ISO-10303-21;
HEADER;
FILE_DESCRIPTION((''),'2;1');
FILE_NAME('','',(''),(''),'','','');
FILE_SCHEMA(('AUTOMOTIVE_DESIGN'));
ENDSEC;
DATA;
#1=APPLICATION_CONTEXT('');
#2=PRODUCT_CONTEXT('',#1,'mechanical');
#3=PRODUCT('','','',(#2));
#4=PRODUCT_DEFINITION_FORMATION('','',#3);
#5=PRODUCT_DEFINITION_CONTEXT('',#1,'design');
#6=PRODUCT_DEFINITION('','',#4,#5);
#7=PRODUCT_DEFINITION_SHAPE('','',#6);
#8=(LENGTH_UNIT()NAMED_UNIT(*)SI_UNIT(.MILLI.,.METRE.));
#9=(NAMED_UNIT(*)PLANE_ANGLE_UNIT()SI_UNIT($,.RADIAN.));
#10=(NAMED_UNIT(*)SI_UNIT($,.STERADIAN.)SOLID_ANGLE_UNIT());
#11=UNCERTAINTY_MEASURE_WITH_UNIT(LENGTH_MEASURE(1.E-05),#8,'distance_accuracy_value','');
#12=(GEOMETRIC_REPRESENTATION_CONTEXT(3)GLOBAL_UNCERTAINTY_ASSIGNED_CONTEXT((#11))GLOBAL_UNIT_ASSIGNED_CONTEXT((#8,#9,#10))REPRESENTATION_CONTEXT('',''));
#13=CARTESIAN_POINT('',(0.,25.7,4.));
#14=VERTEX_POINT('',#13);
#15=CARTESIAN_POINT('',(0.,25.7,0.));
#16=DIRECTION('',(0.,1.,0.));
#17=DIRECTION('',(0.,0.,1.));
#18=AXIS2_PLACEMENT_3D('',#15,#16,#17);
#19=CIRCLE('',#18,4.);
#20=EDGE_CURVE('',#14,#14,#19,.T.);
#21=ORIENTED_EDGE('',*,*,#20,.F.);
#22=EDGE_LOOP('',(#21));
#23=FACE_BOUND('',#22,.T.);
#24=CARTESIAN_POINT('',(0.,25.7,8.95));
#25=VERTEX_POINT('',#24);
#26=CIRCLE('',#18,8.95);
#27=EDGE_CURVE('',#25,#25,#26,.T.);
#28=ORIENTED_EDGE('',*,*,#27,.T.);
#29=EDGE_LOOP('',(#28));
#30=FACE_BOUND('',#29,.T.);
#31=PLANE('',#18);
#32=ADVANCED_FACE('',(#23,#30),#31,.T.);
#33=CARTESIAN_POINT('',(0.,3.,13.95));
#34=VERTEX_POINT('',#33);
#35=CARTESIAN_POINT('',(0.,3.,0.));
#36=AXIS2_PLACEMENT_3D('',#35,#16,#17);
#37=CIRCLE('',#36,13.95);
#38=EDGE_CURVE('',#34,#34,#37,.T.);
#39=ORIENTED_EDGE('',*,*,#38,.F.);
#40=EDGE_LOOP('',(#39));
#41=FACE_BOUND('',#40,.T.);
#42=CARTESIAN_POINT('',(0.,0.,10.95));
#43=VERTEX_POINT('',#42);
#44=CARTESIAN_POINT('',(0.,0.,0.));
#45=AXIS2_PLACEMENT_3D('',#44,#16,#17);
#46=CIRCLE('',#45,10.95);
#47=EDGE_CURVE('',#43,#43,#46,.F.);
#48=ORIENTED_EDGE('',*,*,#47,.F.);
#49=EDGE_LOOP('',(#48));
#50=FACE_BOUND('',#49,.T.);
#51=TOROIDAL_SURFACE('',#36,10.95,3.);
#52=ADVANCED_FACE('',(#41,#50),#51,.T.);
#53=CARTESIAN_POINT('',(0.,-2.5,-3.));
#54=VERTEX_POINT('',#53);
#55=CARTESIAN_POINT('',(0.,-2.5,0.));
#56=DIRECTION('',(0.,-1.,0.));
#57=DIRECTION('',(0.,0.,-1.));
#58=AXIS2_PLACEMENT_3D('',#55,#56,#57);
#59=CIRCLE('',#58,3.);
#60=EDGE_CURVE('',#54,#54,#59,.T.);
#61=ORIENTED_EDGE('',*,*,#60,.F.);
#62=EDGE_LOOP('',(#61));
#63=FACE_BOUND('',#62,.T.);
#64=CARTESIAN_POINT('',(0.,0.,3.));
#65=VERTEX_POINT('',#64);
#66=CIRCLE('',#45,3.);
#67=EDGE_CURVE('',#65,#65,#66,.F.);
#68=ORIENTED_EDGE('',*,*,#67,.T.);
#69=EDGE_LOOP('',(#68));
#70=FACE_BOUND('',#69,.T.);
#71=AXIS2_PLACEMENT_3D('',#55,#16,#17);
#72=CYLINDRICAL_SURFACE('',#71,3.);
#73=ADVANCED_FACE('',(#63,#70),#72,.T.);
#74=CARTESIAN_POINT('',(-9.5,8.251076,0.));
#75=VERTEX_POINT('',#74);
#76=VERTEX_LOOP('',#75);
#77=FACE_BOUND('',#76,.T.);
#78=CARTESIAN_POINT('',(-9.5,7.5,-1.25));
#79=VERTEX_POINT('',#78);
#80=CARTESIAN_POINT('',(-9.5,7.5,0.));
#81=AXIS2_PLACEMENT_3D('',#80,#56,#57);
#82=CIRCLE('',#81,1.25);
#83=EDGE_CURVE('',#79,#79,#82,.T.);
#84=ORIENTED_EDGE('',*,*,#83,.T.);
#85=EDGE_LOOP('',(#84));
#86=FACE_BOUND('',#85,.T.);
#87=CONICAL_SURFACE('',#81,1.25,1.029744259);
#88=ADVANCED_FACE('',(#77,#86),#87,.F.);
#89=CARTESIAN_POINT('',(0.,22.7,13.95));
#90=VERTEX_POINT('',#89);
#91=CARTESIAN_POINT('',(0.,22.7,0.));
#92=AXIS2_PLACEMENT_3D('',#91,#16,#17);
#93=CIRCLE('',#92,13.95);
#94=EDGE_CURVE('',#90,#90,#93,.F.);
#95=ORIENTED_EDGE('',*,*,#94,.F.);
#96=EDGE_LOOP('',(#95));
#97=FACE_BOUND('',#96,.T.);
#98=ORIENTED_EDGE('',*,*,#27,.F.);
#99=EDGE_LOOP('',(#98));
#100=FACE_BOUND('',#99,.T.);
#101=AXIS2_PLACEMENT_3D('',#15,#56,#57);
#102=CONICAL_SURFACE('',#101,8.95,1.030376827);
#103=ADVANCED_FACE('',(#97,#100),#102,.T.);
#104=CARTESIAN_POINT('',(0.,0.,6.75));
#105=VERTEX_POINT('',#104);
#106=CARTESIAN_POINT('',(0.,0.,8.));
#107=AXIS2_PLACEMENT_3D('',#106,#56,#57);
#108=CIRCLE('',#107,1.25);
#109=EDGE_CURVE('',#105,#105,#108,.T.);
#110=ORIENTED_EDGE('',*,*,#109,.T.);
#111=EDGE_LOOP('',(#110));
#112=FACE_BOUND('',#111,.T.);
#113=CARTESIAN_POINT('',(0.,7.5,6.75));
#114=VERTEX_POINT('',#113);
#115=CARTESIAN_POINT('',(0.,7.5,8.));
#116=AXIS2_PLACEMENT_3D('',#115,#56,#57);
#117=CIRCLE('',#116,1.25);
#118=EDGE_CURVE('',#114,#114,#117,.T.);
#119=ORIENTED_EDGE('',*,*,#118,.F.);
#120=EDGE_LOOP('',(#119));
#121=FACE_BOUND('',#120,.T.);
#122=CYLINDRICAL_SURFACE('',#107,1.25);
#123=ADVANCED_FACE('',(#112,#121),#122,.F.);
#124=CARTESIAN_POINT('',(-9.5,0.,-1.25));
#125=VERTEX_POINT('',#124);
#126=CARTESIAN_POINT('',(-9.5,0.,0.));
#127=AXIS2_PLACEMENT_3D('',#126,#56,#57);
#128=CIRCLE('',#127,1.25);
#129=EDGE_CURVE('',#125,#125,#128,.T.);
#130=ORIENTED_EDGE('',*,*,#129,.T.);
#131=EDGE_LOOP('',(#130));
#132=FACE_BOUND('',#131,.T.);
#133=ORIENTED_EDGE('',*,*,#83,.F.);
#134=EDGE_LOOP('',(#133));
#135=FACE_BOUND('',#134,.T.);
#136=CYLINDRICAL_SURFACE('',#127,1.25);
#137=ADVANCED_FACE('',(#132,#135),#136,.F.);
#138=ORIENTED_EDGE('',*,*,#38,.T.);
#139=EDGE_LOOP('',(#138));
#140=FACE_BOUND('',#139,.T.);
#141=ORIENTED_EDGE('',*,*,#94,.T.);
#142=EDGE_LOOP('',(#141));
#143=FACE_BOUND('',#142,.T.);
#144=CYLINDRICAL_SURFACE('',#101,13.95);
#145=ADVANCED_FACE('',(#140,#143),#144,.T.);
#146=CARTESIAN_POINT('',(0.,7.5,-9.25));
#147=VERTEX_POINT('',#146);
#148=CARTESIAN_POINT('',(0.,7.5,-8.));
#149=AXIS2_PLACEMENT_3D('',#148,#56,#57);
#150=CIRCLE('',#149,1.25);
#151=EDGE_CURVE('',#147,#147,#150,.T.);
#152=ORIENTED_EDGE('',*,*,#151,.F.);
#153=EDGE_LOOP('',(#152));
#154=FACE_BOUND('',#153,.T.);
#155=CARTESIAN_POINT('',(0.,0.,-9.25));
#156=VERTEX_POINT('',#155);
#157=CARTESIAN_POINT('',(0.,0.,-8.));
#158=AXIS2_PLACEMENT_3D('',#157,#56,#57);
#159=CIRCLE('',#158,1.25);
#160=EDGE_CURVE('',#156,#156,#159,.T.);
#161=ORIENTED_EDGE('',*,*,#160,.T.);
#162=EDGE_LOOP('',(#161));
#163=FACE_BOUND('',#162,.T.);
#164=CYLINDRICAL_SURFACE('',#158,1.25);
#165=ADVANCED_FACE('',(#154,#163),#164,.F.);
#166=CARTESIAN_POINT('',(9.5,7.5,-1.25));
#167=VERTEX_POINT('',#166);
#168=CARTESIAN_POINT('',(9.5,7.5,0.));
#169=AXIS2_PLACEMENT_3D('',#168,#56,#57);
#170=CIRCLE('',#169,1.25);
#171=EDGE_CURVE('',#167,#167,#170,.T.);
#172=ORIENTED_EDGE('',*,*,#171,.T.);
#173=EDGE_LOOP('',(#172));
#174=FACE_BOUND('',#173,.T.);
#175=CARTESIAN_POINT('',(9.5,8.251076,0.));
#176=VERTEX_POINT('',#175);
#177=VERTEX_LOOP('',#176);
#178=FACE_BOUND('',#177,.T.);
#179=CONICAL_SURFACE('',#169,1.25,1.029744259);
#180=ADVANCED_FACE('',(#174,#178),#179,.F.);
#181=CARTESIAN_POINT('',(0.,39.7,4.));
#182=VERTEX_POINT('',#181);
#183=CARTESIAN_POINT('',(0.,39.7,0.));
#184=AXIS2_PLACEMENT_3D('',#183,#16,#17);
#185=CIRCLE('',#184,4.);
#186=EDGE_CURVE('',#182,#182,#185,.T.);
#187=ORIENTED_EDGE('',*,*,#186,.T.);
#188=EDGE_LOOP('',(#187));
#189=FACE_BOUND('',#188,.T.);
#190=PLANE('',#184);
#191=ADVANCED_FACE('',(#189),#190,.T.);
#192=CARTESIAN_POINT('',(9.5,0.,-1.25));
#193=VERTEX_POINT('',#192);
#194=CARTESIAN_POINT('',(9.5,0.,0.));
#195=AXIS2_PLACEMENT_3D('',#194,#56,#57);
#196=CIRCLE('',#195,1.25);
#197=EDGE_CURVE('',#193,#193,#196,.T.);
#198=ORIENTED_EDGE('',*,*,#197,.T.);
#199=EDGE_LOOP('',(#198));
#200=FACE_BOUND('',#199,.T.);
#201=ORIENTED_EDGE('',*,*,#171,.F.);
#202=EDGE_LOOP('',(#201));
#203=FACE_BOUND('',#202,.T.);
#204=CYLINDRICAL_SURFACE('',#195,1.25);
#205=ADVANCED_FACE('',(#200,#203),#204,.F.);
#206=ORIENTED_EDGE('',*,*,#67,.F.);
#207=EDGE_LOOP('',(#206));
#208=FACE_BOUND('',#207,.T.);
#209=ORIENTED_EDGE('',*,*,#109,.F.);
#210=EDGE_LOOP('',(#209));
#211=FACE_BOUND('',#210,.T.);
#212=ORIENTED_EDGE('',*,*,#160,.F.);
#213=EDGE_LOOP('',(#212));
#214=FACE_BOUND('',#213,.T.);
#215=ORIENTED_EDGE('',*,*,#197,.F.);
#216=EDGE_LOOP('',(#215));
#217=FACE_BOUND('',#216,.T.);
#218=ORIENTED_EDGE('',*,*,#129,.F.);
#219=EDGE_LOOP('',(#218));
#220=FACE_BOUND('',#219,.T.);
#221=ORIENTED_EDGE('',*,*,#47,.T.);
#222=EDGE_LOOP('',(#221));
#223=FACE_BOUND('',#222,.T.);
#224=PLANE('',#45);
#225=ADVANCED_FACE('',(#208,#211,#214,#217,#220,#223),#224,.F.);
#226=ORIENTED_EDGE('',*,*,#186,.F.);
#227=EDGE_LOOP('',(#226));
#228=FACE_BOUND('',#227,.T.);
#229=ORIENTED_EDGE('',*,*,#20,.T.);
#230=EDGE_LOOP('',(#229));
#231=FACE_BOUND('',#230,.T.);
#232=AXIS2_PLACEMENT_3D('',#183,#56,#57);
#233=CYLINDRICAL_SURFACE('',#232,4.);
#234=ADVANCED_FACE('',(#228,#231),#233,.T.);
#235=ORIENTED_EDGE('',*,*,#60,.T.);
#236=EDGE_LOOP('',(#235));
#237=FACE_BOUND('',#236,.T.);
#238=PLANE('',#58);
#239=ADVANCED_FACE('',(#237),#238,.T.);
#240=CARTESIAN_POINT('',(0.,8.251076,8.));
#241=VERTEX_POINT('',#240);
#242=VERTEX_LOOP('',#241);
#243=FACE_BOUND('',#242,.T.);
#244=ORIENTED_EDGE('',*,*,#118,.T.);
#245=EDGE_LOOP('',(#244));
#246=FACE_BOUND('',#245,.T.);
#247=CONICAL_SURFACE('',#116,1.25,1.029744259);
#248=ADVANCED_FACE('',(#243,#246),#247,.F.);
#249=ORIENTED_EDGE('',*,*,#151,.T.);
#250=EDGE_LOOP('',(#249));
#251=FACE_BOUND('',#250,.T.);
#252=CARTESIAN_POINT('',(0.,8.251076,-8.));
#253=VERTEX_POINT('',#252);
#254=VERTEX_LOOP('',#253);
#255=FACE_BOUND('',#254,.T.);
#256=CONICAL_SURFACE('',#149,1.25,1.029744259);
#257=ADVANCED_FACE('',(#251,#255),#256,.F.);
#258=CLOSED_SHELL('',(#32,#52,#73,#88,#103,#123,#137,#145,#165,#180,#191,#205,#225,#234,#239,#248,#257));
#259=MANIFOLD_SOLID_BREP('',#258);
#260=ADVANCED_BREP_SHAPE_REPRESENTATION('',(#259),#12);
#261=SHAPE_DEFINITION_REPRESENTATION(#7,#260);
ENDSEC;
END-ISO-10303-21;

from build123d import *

# Parameters (mm, degrees)
SKETCH1_R                 = 13.95
BOSS_EXTRUDE1_DEPTH       = 25.7
CHAMFER1_SIZE             = 3
CHAMFER1_SIZE2            = 5
SKETCH2_R                 = 4
BOSS_EXTRUDE2_DEPTH       = 14
M3X0_5_TAPPED_HOLE1_D     = 2.5
M3X0_5_TAPPED_HOLE1_DEPTH = 7.5
M3X0_5_TAPPED_HOLE1_TIP   = 0.751075774
FILLET1_R                 = 3
SKETCH5_R                 = 3
BOSS_EXTRUDE3_DEPTH       = 2.5


with BuildPart() as part:
    # Sketch1 → Boss-Extrude1 (new body)
    with BuildSketch(Plane(origin=(0, 0, 0), x_dir=(1, 0, 0), z_dir=(0, 1, 0))):
        Circle(SKETCH1_R)
    extrude(amount=BOSS_EXTRUDE1_DEPTH)

    # Chamfer1
    chamfer1_edges = [part.edges().sort_by_distance(p)[0] for p in [
        (-13.95, 25.7, 0),
    ]]
    chamfer1_side = [part.faces().sort_by_distance(p)[0] for p in [
        (-13.95, 12.85, 0),
    ]]
    chamfer(chamfer1_edges, length=CHAMFER1_SIZE, length2=CHAMFER1_SIZE2, reference=chamfer1_side[0])

    # Sketch2 → Boss-Extrude2 (add)
    with BuildSketch(Plane(origin=(0, 25.7, 0), x_dir=(1, 0, 0), z_dir=(0, 1, 0))):
        Circle(SKETCH2_R)
    extrude(amount=BOSS_EXTRUDE2_DEPTH)

    # M3x0.5 Tapped Hole1
    with Locations(Plane(origin=(0, 0, 0), x_dir=(-1, 0, 0), z_dir=(0, -1, 0))):
        with Locations((0, 8), (0, -8), (-9.5, 0), (9.5, 0)):
            Hole(M3X0_5_TAPPED_HOLE1_D / 2, depth=M3X0_5_TAPPED_HOLE1_DEPTH)
            with Locations((0, 0, -(M3X0_5_TAPPED_HOLE1_DEPTH + M3X0_5_TAPPED_HOLE1_TIP / 2))):  # 118° drill point
                Cone(0, M3X0_5_TAPPED_HOLE1_D / 2, M3X0_5_TAPPED_HOLE1_TIP, mode=Mode.SUBTRACT)

    # Fillet1
    fillet1_edges = [part.edges().sort_by_distance(p)[0] for p in [
        (-13.95, 0, 0),
    ]]
    fillet(fillet1_edges, radius=FILLET1_R)

    # Sketch5 → Boss-Extrude3 (add)
    with BuildSketch(Plane.XZ):
        Circle(SKETCH5_R)
    extrude(amount=BOSS_EXTRUDE3_DEPTH)


solid = part.part
